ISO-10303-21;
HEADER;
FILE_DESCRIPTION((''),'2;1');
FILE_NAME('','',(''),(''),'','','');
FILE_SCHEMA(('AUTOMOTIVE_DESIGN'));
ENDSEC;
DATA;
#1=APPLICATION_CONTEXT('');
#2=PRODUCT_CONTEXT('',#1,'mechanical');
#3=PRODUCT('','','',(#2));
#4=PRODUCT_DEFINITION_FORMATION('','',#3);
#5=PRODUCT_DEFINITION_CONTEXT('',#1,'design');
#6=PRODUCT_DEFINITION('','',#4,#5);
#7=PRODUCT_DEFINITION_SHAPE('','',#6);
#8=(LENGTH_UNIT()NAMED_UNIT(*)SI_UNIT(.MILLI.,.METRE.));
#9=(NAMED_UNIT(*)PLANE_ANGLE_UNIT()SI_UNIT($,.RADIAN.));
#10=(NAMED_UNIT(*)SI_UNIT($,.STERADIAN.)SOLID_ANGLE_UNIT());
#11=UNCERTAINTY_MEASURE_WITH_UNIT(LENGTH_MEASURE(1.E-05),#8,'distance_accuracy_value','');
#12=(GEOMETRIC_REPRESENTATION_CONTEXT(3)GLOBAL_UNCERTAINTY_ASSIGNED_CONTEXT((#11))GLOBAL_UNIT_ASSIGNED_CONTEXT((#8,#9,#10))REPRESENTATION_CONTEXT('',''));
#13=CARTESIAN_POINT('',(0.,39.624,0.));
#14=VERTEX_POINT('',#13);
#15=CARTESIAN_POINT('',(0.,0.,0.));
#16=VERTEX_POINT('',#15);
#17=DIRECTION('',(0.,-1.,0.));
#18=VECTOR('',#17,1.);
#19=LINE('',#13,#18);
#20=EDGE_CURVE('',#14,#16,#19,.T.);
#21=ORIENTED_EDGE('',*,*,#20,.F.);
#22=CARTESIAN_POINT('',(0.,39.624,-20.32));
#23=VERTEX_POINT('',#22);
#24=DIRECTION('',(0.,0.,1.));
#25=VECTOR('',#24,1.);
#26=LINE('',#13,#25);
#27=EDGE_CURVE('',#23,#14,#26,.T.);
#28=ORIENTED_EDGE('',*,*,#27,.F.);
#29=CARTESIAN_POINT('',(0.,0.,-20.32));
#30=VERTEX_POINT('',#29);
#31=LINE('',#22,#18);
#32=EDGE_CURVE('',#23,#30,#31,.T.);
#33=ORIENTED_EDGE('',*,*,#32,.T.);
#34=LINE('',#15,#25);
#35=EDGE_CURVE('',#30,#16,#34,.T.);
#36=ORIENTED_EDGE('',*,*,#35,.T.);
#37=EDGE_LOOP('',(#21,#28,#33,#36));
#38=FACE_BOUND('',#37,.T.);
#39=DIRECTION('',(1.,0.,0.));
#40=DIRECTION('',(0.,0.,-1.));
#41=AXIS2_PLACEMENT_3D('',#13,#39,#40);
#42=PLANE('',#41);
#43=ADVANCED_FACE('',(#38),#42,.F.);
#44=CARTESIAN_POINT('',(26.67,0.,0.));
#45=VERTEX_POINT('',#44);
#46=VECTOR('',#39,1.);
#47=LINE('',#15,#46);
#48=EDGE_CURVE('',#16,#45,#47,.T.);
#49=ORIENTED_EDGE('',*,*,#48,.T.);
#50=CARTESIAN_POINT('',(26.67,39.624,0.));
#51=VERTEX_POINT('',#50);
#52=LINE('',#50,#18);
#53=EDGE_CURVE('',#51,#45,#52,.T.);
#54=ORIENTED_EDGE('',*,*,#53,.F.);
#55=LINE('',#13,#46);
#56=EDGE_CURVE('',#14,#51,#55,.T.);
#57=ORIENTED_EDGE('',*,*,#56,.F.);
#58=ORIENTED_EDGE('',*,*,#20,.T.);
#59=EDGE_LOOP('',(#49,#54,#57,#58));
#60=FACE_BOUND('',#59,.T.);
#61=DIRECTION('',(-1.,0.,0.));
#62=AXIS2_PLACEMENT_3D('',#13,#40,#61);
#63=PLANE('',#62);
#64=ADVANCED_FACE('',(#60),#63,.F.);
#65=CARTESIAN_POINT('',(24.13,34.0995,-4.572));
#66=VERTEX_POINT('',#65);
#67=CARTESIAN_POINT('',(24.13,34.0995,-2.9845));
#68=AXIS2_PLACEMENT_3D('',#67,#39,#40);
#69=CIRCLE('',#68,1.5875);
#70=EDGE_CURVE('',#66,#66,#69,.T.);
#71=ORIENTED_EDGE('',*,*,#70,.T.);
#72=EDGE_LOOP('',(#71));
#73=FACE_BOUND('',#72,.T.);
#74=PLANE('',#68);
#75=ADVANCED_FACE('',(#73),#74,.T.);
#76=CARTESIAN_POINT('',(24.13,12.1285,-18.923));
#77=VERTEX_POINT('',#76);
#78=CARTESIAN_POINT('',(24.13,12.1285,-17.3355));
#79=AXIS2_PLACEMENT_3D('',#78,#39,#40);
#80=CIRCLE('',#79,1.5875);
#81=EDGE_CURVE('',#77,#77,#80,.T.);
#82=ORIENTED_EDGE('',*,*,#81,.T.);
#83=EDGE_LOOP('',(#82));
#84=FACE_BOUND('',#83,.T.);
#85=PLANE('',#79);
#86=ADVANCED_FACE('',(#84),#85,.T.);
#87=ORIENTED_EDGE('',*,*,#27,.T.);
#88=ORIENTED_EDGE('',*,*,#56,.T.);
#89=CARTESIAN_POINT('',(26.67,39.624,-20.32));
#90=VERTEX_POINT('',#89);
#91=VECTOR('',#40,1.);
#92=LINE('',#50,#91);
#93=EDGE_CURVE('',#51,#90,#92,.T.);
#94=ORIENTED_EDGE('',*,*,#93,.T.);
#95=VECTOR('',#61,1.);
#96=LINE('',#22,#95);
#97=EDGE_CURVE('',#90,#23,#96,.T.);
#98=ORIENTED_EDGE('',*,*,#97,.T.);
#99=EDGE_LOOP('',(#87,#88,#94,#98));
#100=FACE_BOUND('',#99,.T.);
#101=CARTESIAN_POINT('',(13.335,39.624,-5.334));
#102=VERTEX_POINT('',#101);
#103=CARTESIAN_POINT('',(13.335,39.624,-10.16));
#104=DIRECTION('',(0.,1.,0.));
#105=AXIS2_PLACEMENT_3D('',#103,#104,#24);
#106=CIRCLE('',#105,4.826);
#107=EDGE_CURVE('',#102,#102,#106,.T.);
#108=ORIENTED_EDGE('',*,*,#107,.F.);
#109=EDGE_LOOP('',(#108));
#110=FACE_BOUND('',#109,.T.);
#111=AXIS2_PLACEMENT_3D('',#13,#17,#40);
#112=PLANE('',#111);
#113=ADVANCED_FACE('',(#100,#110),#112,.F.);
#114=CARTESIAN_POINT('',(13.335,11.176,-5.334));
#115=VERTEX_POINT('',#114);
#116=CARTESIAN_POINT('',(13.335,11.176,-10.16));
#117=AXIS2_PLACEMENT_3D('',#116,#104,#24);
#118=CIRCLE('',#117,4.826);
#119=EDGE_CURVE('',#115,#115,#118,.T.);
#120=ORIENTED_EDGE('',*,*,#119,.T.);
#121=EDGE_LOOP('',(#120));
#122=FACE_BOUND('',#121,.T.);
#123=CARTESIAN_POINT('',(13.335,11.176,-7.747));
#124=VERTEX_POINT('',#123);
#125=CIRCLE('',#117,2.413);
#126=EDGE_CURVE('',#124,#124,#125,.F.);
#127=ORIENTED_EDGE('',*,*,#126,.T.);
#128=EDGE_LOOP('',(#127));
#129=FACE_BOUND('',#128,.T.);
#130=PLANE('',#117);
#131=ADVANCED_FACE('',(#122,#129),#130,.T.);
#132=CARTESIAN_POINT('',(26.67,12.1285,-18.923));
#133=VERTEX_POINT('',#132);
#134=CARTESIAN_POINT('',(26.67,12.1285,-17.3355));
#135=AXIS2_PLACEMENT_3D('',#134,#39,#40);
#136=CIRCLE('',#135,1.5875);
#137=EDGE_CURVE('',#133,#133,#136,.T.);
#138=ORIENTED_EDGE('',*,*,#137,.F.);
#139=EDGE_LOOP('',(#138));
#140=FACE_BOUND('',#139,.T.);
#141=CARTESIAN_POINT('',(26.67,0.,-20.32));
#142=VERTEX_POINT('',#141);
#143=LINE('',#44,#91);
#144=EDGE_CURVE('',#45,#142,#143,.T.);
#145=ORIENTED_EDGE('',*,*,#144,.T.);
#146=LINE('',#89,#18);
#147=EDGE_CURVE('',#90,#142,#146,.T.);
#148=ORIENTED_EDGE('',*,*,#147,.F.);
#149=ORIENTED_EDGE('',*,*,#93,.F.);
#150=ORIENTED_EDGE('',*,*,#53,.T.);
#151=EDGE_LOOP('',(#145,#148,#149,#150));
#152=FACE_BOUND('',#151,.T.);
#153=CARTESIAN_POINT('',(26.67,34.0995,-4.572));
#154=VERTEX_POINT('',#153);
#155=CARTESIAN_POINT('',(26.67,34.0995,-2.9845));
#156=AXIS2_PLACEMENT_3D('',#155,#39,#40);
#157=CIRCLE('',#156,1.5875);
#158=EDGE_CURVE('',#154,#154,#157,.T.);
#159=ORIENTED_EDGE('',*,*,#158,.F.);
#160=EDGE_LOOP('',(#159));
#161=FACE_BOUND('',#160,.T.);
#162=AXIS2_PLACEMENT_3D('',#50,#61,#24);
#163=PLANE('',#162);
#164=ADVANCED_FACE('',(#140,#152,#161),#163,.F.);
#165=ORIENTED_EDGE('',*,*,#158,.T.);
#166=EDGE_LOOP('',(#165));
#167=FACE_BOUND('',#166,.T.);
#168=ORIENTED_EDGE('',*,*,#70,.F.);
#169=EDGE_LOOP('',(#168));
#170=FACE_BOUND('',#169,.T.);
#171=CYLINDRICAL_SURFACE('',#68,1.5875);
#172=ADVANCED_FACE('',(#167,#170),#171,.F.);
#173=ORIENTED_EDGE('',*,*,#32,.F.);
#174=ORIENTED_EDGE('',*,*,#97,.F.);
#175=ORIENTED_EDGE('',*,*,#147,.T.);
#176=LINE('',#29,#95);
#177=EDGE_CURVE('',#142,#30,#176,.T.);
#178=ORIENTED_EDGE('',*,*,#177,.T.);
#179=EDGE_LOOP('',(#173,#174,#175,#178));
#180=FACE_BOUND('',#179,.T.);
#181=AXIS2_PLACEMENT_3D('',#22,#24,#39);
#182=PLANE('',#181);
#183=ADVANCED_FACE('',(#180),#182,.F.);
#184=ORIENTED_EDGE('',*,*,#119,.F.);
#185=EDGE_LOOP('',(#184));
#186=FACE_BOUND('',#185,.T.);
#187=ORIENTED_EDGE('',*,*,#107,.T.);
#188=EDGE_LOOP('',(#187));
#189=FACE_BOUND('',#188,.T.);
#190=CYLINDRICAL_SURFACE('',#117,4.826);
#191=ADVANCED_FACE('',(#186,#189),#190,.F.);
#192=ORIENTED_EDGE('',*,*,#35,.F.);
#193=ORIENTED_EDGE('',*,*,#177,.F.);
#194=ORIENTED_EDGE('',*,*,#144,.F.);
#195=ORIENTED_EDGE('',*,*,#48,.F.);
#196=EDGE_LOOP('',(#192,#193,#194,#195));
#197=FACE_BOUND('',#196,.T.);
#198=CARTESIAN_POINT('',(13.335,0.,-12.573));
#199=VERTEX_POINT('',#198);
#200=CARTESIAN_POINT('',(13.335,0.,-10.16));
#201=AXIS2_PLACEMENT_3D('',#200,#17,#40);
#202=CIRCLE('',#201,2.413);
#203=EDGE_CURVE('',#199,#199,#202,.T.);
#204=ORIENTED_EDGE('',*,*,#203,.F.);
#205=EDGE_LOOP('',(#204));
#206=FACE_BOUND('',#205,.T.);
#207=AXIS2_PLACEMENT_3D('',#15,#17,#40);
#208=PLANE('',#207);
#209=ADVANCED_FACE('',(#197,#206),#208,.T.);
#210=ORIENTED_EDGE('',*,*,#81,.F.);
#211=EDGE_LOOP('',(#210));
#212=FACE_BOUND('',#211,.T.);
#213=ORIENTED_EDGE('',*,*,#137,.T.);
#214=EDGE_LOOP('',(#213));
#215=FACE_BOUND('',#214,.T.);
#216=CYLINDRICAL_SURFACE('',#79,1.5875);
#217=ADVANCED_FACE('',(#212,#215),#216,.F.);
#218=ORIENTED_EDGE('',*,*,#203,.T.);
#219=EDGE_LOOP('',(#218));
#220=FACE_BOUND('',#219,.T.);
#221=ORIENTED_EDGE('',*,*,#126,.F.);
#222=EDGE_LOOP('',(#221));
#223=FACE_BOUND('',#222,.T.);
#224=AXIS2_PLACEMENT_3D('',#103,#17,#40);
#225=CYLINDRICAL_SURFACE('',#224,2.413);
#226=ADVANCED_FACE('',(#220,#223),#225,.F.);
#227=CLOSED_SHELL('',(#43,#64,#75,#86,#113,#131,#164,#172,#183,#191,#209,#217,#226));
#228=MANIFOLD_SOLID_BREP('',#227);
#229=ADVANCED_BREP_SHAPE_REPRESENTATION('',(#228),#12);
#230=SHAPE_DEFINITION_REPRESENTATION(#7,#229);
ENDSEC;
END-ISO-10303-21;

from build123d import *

# Parameters (mm, degrees)
SKETCH1_W           = 26.67
SKETCH1_H           = 20.32
BOSS_EXTRUDE1_DEPTH = 39.624
SKETCH2_R           = 2.413
CUT_EXTRUDE1_DEPTH  = 40.624
SKETCH3_R           = 4.826
CUT_EXTRUDE2_DEPTH  = 28.448
SKETCH4_R           = 1.5875
CUT_EXTRUDE3_DEPTH  = 2.54


with BuildPart() as part:
    # Sketch1 → Boss-Extrude1 (new body)
    with BuildSketch(Plane(origin=(0, 0, 0), x_dir=(1, 0, 0), z_dir=(0, 1, 0))):
        with Locations((13.335, 10.16)):
            Rectangle(SKETCH1_W, SKETCH1_H)
    extrude(amount=BOSS_EXTRUDE1_DEPTH)

    # Sketch2 → Cut-Extrude1 (cut, through all)
    with BuildSketch(Plane.XZ):
        with Locations((13.335, -10.16)):
            Circle(SKETCH2_R)
    extrude(amount=-CUT_EXTRUDE1_DEPTH, mode=Mode.SUBTRACT)

    # Sketch3 → Cut-Extrude2 (cut)
    with BuildSketch(Plane(origin=(0, 39.624, 0), x_dir=(1, 0, 0), z_dir=(0, 1, 0))):
        with Locations((13.335, 10.16)):
            Circle(SKETCH3_R)
    extrude(amount=-CUT_EXTRUDE2_DEPTH, mode=Mode.SUBTRACT)

    # Sketch4 → Cut-Extrude3 (cut)
    with BuildSketch(Plane(origin=(26.67, 0, 0), x_dir=(0, 0, -1), z_dir=(1, 0, 0))):
        with Locations((2.9845, 34.0995)):
            Circle(SKETCH4_R)
        with Locations((17.3355, 12.1285)):
            Circle(SKETCH4_R)
    extrude(amount=-CUT_EXTRUDE3_DEPTH, mode=Mode.SUBTRACT)


solid = part.part
